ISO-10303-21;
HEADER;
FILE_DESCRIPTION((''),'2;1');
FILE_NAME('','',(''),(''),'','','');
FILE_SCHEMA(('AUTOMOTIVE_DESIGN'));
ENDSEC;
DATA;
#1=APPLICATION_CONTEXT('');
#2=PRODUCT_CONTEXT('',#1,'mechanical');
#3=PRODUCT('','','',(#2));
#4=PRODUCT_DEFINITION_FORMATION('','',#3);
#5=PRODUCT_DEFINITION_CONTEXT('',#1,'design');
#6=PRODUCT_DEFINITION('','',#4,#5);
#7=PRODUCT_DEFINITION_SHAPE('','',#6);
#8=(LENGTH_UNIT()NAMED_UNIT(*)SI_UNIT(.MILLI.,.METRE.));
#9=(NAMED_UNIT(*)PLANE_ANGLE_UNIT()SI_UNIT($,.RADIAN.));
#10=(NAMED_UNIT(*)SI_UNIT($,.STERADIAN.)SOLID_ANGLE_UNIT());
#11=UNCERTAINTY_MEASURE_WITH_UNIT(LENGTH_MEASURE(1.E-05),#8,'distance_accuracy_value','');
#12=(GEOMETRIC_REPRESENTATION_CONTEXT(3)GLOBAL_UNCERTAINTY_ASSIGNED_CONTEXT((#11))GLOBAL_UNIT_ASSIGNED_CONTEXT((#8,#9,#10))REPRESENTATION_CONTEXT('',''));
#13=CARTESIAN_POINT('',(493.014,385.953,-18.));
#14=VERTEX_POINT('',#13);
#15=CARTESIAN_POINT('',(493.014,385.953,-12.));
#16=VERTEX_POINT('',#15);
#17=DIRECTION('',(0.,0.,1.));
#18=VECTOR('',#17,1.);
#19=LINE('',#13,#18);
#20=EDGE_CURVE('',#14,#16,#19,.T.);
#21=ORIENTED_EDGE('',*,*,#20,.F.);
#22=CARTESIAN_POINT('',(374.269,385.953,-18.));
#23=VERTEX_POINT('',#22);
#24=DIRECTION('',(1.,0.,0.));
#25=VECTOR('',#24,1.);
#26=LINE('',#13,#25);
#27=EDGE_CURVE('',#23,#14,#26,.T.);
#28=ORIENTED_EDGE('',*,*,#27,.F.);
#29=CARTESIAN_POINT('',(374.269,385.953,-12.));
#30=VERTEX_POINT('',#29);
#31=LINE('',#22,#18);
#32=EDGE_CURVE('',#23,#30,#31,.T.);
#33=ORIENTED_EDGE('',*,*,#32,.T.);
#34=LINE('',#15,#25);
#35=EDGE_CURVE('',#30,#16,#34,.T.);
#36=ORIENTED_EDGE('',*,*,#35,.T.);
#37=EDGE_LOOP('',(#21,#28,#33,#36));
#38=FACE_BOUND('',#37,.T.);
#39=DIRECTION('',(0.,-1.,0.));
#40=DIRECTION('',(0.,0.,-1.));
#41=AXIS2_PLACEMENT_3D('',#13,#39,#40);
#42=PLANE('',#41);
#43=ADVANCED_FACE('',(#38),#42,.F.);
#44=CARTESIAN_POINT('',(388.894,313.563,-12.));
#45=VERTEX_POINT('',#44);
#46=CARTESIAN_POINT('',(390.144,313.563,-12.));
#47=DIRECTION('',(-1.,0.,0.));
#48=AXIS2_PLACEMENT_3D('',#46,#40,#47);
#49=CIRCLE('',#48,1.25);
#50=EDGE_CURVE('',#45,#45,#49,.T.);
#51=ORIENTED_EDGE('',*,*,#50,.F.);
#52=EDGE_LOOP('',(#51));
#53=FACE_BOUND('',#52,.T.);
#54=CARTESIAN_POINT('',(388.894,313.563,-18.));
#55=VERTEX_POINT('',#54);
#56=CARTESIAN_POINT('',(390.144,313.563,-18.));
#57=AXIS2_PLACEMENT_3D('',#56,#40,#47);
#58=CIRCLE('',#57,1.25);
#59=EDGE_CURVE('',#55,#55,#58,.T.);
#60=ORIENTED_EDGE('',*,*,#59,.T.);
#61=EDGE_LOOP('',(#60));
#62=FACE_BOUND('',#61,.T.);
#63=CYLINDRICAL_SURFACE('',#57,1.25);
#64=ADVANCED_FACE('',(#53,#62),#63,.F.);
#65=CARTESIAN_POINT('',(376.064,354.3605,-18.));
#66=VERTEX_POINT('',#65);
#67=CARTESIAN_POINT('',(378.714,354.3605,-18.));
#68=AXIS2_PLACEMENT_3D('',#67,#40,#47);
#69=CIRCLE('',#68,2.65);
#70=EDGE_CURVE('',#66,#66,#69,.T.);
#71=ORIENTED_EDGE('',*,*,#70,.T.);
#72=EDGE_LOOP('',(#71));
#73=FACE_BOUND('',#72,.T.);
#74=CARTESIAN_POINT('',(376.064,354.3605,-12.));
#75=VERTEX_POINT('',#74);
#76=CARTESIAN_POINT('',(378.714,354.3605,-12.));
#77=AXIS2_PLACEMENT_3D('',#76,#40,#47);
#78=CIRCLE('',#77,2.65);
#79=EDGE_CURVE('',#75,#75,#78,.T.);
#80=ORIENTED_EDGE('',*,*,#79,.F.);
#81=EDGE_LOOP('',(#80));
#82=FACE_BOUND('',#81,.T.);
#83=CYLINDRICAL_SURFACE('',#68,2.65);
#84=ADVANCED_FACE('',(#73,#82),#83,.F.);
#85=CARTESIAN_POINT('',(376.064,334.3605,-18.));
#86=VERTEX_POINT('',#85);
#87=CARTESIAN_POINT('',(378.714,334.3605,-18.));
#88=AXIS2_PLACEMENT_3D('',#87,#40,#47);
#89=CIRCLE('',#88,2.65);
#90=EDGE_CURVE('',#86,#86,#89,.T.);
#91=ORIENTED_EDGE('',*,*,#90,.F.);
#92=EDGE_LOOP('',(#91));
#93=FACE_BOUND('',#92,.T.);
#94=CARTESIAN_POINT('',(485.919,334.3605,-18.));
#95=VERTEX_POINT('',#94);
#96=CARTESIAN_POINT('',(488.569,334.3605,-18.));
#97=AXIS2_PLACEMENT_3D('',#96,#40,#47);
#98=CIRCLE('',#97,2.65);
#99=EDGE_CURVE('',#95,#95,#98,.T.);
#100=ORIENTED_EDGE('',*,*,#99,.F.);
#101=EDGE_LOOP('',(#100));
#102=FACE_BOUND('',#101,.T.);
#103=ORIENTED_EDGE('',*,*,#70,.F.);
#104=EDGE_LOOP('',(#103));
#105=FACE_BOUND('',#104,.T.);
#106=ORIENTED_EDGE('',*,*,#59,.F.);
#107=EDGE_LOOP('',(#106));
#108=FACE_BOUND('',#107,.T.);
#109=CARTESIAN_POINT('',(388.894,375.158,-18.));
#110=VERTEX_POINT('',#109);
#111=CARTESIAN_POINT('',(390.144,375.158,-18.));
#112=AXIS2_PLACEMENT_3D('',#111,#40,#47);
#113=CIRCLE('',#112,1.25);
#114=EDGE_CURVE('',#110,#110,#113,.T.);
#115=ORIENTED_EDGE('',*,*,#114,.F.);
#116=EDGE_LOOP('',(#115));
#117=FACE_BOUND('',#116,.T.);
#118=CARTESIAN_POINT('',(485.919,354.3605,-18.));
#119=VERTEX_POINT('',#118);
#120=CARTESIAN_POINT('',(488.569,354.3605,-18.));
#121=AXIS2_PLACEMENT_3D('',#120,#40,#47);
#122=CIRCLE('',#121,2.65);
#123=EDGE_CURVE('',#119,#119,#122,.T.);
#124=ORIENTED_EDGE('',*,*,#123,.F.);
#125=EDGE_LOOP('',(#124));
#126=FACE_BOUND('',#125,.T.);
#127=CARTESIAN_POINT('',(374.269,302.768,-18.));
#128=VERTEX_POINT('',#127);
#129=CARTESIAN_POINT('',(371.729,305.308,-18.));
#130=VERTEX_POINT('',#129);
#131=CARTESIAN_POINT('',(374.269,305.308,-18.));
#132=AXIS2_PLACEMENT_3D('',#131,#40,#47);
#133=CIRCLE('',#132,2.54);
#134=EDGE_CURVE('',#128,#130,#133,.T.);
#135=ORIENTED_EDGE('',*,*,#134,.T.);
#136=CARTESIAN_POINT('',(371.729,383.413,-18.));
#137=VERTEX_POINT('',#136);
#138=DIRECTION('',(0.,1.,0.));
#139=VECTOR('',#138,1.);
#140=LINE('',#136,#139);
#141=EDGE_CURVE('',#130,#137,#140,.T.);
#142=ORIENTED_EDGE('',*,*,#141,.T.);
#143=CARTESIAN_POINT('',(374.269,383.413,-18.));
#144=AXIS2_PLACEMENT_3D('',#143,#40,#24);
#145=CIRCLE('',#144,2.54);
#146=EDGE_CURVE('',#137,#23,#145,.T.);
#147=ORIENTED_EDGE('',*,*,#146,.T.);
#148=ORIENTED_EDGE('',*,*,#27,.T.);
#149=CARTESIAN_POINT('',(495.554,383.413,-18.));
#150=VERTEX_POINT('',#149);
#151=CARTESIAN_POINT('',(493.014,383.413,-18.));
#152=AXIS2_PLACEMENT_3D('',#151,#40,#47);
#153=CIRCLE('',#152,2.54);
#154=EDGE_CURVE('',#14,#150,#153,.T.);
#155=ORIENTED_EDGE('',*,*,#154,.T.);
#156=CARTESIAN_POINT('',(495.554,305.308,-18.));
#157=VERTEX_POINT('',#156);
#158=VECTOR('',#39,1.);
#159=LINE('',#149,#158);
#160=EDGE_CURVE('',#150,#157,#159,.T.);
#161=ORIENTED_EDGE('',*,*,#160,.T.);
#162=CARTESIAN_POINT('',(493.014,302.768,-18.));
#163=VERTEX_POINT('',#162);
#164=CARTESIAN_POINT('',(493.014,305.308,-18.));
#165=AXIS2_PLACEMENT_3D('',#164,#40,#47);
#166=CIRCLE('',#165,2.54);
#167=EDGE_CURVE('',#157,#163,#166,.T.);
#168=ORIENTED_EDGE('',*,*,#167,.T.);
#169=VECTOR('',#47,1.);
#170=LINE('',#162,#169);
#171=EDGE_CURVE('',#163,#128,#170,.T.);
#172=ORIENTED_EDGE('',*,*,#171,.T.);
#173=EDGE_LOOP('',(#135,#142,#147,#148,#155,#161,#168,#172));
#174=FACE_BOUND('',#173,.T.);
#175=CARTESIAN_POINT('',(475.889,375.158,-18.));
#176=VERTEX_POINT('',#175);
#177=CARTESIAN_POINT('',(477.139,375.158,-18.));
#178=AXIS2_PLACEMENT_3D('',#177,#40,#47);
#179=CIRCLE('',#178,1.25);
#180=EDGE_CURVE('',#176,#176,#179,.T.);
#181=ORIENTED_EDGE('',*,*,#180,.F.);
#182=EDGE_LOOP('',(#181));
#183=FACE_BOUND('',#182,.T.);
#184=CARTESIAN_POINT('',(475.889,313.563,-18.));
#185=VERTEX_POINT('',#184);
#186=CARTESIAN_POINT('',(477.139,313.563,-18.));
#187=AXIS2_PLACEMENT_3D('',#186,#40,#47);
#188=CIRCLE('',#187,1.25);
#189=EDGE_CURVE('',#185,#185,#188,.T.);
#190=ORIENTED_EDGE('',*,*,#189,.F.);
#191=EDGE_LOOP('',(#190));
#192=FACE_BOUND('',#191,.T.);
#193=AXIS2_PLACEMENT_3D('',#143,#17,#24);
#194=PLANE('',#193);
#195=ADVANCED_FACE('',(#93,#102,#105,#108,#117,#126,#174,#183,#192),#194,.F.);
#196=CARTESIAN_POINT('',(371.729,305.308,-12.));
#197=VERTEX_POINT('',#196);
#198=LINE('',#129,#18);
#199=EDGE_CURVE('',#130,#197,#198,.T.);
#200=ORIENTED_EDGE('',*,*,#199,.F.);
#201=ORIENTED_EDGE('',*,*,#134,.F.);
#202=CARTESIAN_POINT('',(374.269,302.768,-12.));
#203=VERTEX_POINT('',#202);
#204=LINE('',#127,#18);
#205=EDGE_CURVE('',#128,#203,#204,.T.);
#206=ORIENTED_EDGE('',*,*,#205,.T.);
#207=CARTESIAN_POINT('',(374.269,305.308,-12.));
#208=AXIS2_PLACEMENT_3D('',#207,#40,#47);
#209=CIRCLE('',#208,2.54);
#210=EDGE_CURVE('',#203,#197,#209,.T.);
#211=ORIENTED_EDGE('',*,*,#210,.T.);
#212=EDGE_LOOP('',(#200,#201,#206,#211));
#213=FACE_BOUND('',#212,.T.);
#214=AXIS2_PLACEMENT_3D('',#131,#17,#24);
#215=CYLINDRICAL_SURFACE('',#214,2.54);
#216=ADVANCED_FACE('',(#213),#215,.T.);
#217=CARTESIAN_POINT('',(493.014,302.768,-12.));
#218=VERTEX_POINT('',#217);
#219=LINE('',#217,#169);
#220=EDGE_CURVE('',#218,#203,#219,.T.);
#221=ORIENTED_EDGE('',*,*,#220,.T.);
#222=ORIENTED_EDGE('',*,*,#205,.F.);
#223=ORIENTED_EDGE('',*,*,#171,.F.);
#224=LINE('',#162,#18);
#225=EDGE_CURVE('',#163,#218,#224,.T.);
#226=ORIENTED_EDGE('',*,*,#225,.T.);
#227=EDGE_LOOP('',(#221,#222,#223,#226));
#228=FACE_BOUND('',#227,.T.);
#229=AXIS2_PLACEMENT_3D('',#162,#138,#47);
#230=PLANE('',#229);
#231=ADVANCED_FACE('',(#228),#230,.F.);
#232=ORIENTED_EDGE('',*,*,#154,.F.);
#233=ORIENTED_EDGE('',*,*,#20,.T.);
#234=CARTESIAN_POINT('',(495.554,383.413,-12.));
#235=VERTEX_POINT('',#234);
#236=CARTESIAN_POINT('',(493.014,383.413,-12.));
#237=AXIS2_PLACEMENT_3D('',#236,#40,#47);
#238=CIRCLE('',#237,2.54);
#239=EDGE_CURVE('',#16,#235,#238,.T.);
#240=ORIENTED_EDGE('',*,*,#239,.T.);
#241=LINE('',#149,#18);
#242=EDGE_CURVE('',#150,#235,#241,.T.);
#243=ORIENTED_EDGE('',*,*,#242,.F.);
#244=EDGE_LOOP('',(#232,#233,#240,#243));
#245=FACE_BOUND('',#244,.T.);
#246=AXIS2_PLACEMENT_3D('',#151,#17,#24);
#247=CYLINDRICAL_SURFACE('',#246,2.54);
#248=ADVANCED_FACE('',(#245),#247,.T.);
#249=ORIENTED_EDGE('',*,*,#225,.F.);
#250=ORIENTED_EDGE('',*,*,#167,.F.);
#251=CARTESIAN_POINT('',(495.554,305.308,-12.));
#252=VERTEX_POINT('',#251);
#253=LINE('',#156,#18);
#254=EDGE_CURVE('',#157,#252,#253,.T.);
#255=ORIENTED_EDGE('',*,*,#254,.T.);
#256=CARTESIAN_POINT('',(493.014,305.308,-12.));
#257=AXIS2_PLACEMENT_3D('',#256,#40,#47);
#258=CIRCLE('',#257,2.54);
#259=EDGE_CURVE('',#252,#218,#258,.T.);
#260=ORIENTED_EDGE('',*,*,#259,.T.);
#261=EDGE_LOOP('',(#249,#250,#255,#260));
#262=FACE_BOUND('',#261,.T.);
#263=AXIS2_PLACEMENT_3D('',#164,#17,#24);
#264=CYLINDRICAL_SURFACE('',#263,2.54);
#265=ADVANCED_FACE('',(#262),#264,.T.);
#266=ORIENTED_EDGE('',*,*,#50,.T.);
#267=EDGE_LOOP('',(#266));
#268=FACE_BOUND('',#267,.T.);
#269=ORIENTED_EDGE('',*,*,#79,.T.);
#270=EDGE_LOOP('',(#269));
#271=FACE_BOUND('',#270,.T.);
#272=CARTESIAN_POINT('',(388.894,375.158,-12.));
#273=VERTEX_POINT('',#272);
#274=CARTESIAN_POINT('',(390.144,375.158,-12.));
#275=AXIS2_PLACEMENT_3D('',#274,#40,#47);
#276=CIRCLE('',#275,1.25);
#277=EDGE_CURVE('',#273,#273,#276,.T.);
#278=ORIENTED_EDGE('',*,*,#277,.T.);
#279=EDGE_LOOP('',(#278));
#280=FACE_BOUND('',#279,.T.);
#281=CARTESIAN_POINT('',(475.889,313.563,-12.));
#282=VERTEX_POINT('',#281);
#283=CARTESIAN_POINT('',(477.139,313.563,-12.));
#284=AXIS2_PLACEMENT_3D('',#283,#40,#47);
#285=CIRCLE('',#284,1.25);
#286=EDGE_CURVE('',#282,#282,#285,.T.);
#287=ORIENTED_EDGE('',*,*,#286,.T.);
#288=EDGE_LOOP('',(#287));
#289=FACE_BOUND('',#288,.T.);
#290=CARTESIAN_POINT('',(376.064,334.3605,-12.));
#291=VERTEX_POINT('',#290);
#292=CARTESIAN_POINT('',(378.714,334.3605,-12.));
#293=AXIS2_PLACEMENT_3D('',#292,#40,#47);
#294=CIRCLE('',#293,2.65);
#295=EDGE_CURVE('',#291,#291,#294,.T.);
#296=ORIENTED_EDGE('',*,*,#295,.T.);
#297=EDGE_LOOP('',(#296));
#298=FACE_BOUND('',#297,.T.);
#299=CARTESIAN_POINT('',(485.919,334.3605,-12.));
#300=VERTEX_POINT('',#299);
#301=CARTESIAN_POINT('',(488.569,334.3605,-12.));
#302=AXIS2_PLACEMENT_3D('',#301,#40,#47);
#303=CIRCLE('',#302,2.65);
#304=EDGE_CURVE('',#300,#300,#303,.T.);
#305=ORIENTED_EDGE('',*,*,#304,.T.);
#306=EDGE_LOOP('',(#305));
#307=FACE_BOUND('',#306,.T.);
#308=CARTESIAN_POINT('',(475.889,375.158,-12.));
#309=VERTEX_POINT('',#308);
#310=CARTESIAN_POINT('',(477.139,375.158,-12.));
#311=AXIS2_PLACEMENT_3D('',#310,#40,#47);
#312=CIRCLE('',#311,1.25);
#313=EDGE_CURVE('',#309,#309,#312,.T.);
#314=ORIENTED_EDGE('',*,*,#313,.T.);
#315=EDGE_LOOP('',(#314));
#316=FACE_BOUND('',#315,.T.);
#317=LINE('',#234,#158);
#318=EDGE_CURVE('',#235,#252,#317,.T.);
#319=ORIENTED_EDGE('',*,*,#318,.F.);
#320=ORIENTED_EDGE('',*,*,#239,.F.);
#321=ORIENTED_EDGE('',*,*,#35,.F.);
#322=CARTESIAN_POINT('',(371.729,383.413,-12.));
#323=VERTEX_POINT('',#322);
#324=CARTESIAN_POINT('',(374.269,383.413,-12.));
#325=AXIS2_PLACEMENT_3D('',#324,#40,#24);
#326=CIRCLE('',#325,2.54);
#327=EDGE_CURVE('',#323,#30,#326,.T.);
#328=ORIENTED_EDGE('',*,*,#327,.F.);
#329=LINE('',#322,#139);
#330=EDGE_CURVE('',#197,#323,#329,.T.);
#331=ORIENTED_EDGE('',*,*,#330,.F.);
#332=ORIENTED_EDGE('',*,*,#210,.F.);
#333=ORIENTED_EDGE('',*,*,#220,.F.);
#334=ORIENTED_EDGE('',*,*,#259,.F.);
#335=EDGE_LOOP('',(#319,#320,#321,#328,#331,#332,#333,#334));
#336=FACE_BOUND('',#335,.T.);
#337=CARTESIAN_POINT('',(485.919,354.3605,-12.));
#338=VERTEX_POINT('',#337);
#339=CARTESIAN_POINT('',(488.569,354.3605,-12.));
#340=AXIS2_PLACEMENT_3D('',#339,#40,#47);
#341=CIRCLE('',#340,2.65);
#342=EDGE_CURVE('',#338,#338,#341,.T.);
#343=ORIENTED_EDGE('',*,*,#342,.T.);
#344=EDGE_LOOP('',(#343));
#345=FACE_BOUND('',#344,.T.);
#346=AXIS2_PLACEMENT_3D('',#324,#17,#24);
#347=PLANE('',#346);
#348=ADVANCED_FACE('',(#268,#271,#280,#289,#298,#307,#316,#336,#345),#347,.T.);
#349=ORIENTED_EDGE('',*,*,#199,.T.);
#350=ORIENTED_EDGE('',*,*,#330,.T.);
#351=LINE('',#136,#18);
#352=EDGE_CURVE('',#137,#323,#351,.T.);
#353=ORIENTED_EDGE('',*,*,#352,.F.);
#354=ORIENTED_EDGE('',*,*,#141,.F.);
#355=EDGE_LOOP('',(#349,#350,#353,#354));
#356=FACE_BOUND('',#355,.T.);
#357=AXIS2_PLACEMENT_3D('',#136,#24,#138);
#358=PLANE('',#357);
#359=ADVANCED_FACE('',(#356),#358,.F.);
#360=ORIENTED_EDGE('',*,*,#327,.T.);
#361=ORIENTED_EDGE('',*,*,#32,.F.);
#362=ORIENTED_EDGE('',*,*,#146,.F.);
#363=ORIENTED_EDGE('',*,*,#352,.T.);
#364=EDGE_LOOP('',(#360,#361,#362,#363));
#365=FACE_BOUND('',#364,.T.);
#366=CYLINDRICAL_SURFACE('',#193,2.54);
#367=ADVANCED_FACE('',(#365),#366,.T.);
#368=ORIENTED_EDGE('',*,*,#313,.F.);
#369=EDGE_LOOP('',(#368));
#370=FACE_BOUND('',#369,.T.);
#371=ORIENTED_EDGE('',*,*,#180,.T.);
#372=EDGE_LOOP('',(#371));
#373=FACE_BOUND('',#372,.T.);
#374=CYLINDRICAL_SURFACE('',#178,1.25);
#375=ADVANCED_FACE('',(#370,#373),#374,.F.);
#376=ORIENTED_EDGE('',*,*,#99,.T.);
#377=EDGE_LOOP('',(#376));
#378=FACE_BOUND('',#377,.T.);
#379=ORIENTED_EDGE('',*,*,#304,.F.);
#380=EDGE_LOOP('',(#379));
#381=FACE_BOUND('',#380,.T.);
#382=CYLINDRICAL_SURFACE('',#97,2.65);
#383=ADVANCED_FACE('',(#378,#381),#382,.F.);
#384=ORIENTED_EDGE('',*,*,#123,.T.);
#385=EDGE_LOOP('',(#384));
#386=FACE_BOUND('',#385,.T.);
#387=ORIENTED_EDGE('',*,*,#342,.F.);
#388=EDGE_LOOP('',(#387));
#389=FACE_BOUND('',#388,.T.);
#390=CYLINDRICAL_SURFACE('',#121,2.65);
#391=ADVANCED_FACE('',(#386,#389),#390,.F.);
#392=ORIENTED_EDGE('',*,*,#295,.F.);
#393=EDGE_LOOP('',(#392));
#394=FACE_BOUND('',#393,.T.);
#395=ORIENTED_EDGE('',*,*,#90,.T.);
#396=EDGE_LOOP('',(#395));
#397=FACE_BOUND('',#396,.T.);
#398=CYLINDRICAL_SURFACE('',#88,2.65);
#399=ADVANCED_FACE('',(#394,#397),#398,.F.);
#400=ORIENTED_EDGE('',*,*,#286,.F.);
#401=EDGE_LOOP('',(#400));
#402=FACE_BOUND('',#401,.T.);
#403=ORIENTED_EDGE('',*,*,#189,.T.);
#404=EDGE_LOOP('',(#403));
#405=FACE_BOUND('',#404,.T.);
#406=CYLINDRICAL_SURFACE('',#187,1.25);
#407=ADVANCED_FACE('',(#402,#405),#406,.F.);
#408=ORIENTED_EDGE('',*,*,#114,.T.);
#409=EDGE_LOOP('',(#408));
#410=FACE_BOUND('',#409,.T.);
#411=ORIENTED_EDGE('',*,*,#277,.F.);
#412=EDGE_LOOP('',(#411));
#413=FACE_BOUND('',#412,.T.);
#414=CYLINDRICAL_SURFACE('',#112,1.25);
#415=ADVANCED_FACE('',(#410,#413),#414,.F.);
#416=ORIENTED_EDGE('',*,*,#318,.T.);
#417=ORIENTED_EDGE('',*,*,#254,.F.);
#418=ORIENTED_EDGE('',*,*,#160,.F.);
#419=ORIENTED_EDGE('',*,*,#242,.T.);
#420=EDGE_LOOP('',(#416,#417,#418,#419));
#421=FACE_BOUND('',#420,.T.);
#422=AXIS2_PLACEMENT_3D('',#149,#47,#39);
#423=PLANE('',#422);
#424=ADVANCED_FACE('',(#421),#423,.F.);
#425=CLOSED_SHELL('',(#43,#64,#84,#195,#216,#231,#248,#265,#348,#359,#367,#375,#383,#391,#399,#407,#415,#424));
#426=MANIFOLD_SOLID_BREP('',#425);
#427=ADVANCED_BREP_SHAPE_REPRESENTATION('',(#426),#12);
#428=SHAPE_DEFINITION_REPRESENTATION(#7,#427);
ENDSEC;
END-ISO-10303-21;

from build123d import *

# Parameters (mm, degrees)
BOSS_EXTRUDE1_DEPTH   = 6
M5_CLEARANCE_HOLE1_D  = 5.3
M3X0_5_TAPPED_HOLE1_D = 2.5


with BuildPart() as part:
    # Sketch1 → Boss-Extrude1 (new body)
    with BuildSketch(Plane(origin=(0, 0, -11.999999876), x_dir=(-1, 0, 0), z_dir=(0, 0, -1))):
        with BuildLine():
            Line((-493.014, 385.953), (-374.269, 385.953))
            ThreePointArc((-374.269, 385.953), (-372.472948776, 385.209051224), (-371.729, 383.413))
            Line((-371.729, 383.413), (-371.729, 305.308))
            ThreePointArc((-371.729, 305.308), (-372.472948776, 303.511948776), (-374.269, 302.768))
            Line((-374.269, 302.768), (-493.014, 302.768))
            ThreePointArc((-493.014, 302.768), (-494.810051224, 303.511948776), (-495.554, 305.308))
            Line((-495.554, 305.308), (-495.554, 383.413))
            ThreePointArc((-495.554, 383.413), (-494.810051224, 385.209051224), (-493.014, 385.953))
        make_face()
    extrude(amount=BOSS_EXTRUDE1_DEPTH)

    # M5 Clearance Hole1 (through all)
    with Locations(Plane(origin=(0, 0, -17.999999876), x_dir=(-1, 0, 0), z_dir=(0, 0, -1))):
        with Locations((-488.569, 354.360499939), (-488.569, 334.360500061), (-378.714, 334.360500061), (-378.714, 354.360499939)):
            Hole(M5_CLEARANCE_HOLE1_D / 2)

    # M3x0.5 Tapped Hole1 (through all)
    with Locations(Plane(origin=(0, 0, -17.999999876), x_dir=(-1, 0, 0), z_dir=(0, 0, -1))):
        with Locations((-477.139, 375.158), (-390.144, 375.158), (-390.144, 313.563), (-477.139, 313.563)):
            Hole(M3X0_5_TAPPED_HOLE1_D / 2)


solid = part.part
